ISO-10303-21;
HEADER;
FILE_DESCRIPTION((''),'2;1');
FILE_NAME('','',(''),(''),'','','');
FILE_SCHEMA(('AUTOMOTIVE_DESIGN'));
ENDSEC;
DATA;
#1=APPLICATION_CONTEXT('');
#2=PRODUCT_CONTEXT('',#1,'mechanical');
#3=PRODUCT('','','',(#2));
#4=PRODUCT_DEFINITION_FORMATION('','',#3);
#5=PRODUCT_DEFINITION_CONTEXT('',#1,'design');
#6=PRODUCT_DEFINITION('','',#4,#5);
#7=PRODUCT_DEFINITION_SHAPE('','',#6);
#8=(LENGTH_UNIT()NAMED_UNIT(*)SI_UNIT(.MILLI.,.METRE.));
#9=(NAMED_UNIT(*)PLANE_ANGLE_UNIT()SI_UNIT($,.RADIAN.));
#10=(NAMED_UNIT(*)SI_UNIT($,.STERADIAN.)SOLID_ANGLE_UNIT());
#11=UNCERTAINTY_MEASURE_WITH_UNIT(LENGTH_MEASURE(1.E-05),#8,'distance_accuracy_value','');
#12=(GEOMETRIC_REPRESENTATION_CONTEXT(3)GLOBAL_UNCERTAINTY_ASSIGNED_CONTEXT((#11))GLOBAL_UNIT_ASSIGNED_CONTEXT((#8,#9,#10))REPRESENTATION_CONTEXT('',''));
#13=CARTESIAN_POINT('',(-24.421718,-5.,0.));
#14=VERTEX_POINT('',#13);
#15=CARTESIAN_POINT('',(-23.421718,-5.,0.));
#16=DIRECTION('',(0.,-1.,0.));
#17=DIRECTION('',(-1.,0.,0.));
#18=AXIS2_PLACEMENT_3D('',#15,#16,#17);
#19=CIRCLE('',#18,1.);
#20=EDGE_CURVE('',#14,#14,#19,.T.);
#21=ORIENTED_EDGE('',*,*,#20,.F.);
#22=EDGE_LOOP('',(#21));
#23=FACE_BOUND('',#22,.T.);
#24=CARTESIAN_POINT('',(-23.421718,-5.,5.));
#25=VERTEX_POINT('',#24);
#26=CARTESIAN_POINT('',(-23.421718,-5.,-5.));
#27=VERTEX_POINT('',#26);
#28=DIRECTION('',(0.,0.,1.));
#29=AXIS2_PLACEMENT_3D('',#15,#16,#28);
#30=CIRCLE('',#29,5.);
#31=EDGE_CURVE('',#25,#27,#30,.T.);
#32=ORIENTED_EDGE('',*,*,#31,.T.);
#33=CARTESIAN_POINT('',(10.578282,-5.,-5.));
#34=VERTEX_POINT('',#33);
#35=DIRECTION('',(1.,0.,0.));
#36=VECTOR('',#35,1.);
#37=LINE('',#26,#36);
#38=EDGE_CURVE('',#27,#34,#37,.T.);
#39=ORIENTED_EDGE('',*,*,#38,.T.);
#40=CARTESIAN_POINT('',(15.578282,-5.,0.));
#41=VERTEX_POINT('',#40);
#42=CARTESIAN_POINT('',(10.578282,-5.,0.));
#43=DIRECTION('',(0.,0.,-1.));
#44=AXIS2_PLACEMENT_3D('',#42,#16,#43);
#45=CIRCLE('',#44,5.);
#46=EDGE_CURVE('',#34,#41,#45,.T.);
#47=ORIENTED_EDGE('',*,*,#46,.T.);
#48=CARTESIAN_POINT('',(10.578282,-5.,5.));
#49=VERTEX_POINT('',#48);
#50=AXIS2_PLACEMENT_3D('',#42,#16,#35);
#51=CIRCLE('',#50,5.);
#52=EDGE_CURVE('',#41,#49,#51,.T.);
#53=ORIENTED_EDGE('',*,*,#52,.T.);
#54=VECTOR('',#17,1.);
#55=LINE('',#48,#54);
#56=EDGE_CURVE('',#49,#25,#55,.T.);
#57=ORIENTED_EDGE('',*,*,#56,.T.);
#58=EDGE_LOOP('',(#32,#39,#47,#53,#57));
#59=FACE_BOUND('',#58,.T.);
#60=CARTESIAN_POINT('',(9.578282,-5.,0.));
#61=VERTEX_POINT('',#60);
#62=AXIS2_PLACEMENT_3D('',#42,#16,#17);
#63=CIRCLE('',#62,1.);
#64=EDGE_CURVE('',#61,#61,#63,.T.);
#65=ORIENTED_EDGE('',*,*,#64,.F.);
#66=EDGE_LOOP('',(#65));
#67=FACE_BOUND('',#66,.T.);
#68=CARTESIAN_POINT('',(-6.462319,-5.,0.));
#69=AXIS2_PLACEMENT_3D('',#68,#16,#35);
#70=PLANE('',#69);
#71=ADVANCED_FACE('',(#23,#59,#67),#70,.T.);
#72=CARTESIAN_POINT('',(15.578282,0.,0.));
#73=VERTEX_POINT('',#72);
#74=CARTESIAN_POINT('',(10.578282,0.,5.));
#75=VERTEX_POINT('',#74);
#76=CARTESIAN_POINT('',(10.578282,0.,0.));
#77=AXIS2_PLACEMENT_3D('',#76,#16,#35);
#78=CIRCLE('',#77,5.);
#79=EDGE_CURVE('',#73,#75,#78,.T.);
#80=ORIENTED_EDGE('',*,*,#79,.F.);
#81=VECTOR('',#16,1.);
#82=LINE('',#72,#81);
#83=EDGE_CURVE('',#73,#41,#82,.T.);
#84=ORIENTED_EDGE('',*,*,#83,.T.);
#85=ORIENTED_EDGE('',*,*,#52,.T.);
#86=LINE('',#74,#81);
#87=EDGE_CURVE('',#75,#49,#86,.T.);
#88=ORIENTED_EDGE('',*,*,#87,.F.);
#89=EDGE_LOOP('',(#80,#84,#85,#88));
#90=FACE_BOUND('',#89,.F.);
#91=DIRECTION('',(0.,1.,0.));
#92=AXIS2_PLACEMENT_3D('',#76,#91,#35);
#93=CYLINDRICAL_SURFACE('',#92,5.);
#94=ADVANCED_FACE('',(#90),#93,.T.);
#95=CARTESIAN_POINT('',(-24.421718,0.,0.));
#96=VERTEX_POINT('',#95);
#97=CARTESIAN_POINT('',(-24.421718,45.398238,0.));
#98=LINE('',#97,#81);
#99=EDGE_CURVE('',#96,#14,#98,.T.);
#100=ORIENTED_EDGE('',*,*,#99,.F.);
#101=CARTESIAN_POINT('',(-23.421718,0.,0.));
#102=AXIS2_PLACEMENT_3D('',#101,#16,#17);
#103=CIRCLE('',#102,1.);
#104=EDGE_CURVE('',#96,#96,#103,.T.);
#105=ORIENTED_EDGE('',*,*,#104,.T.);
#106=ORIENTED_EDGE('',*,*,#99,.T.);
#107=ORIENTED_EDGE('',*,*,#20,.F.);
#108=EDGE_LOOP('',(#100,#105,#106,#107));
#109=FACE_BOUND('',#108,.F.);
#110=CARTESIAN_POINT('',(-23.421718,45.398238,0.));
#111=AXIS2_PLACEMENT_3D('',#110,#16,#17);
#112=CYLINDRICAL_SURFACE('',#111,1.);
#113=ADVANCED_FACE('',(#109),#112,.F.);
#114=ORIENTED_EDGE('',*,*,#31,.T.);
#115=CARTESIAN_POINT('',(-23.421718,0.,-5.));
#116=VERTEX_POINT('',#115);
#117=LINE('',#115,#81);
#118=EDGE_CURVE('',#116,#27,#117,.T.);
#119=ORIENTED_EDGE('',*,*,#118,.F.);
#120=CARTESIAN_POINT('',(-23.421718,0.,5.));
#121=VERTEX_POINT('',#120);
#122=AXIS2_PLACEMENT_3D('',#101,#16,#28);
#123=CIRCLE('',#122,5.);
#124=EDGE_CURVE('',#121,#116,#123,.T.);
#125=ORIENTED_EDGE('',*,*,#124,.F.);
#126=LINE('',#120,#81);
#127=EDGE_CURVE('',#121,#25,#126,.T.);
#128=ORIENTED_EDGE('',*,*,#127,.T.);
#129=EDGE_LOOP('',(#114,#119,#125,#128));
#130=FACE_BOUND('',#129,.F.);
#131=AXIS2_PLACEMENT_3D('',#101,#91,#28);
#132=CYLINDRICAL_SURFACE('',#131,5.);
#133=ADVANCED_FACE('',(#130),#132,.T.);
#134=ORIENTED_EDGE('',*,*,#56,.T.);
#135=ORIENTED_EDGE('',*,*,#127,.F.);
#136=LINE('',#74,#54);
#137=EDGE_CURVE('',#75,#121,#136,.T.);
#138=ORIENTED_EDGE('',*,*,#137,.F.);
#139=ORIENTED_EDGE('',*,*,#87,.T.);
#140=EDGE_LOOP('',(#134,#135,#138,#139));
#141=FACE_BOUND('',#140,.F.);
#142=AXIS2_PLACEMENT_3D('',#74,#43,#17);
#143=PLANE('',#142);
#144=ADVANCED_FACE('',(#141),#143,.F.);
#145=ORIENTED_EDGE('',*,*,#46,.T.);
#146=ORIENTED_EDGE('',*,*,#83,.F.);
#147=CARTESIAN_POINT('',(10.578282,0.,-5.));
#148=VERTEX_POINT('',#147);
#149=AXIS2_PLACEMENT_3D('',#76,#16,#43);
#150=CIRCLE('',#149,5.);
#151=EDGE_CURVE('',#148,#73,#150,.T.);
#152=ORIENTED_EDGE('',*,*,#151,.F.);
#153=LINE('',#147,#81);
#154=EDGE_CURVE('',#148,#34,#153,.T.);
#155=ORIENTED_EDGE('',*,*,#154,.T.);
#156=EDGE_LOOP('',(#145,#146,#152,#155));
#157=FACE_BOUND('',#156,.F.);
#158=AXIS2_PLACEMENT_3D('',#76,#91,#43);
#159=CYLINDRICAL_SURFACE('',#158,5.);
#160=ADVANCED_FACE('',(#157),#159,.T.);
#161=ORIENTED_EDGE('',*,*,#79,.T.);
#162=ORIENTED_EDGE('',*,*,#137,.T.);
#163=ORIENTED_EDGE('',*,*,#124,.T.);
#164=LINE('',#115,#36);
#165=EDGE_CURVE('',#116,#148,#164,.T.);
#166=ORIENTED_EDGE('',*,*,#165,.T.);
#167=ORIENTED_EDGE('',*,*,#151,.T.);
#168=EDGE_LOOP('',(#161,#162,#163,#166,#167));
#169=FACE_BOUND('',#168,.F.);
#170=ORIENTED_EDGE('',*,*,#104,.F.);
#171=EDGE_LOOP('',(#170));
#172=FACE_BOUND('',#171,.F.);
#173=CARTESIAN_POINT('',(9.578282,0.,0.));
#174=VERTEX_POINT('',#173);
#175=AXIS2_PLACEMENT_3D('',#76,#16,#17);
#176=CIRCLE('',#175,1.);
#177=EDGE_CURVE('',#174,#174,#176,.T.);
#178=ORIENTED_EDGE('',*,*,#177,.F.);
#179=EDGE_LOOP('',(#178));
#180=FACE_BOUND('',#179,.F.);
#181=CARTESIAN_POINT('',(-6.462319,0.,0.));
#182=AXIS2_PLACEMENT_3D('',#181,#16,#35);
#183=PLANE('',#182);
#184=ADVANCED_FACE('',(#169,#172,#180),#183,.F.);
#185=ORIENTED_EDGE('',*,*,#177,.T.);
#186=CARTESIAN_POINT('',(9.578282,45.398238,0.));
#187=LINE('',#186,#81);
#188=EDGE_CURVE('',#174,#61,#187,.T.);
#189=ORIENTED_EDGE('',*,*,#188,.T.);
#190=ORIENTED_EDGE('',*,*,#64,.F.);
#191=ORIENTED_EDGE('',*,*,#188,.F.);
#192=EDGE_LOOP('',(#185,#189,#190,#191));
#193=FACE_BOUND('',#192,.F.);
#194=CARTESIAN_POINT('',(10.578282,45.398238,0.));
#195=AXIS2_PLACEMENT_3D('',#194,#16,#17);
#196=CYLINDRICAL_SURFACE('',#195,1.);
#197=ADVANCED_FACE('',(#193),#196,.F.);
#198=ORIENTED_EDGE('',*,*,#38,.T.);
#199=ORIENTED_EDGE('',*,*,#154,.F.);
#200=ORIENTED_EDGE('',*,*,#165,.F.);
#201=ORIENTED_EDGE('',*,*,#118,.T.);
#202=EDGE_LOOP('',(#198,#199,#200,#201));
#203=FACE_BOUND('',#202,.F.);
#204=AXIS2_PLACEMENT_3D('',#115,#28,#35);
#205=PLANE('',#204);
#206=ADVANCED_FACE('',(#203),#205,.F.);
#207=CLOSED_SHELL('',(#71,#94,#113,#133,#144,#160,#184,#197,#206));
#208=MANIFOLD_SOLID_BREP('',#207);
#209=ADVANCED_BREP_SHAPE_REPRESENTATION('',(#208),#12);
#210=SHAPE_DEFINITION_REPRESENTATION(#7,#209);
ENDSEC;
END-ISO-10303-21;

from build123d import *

# Parameters (mm, degrees)
F3_DEPTH = 5
F4_D     = 2


with BuildPart() as f3:
    # F2 (on Front) → F3 (new body)
    with BuildSketch(Plane.XZ):
        with BuildLine():
            Line((10.5782822311, 5), (-23.4217177689, 5))
            ThreePointArc((-23.4217177689, 5), (-19.886183863, 3.5355339059), (-18.4217177689, 0))
            ThreePointArc((-18.4217177689, 0), (-19.886183863, -3.5355339059), (-23.4217177689, -5))
            Line((-23.4217177689, -5), (10.5782822311, -5))
            ThreePointArc((10.5782822311, -5), (5.5782822311, 0), (10.5782822311, 5))
        make_face()
        with BuildLine():
            ThreePointArc((-18.4217177689, 0), (-19.886183863, 3.5355339059), (-23.4217177689, 5))
            ThreePointArc((-23.4217177689, 5), (-28.4217177689, 0), (-23.4217177689, -5))
            ThreePointArc((-23.4217177689, -5), (-19.886183863, -3.5355339059), (-18.4217177689, 0))
        make_face()
        with BuildLine():
            ThreePointArc((15.5782822311, 0), (14.113816137, 3.5355339059), (10.5782822311, 5))
            ThreePointArc((10.5782822311, 5), (5.5782822311, 0), (10.5782822311, -5))
            ThreePointArc((10.5782822311, -5), (14.113816137, -3.5355339059), (15.5782822311, 0))
        make_face()
    extrude(amount=F3_DEPTH)

    # F4 (through all)
    with Locations(Plane(origin=(0, 0, 0), x_dir=(1, 0, 0), z_dir=(0, 1, 0))):
        with Locations((-23.4217177689, 0), (10.5782822311, 0)):
            Hole(F4_D / 2)


solid = f3.part
